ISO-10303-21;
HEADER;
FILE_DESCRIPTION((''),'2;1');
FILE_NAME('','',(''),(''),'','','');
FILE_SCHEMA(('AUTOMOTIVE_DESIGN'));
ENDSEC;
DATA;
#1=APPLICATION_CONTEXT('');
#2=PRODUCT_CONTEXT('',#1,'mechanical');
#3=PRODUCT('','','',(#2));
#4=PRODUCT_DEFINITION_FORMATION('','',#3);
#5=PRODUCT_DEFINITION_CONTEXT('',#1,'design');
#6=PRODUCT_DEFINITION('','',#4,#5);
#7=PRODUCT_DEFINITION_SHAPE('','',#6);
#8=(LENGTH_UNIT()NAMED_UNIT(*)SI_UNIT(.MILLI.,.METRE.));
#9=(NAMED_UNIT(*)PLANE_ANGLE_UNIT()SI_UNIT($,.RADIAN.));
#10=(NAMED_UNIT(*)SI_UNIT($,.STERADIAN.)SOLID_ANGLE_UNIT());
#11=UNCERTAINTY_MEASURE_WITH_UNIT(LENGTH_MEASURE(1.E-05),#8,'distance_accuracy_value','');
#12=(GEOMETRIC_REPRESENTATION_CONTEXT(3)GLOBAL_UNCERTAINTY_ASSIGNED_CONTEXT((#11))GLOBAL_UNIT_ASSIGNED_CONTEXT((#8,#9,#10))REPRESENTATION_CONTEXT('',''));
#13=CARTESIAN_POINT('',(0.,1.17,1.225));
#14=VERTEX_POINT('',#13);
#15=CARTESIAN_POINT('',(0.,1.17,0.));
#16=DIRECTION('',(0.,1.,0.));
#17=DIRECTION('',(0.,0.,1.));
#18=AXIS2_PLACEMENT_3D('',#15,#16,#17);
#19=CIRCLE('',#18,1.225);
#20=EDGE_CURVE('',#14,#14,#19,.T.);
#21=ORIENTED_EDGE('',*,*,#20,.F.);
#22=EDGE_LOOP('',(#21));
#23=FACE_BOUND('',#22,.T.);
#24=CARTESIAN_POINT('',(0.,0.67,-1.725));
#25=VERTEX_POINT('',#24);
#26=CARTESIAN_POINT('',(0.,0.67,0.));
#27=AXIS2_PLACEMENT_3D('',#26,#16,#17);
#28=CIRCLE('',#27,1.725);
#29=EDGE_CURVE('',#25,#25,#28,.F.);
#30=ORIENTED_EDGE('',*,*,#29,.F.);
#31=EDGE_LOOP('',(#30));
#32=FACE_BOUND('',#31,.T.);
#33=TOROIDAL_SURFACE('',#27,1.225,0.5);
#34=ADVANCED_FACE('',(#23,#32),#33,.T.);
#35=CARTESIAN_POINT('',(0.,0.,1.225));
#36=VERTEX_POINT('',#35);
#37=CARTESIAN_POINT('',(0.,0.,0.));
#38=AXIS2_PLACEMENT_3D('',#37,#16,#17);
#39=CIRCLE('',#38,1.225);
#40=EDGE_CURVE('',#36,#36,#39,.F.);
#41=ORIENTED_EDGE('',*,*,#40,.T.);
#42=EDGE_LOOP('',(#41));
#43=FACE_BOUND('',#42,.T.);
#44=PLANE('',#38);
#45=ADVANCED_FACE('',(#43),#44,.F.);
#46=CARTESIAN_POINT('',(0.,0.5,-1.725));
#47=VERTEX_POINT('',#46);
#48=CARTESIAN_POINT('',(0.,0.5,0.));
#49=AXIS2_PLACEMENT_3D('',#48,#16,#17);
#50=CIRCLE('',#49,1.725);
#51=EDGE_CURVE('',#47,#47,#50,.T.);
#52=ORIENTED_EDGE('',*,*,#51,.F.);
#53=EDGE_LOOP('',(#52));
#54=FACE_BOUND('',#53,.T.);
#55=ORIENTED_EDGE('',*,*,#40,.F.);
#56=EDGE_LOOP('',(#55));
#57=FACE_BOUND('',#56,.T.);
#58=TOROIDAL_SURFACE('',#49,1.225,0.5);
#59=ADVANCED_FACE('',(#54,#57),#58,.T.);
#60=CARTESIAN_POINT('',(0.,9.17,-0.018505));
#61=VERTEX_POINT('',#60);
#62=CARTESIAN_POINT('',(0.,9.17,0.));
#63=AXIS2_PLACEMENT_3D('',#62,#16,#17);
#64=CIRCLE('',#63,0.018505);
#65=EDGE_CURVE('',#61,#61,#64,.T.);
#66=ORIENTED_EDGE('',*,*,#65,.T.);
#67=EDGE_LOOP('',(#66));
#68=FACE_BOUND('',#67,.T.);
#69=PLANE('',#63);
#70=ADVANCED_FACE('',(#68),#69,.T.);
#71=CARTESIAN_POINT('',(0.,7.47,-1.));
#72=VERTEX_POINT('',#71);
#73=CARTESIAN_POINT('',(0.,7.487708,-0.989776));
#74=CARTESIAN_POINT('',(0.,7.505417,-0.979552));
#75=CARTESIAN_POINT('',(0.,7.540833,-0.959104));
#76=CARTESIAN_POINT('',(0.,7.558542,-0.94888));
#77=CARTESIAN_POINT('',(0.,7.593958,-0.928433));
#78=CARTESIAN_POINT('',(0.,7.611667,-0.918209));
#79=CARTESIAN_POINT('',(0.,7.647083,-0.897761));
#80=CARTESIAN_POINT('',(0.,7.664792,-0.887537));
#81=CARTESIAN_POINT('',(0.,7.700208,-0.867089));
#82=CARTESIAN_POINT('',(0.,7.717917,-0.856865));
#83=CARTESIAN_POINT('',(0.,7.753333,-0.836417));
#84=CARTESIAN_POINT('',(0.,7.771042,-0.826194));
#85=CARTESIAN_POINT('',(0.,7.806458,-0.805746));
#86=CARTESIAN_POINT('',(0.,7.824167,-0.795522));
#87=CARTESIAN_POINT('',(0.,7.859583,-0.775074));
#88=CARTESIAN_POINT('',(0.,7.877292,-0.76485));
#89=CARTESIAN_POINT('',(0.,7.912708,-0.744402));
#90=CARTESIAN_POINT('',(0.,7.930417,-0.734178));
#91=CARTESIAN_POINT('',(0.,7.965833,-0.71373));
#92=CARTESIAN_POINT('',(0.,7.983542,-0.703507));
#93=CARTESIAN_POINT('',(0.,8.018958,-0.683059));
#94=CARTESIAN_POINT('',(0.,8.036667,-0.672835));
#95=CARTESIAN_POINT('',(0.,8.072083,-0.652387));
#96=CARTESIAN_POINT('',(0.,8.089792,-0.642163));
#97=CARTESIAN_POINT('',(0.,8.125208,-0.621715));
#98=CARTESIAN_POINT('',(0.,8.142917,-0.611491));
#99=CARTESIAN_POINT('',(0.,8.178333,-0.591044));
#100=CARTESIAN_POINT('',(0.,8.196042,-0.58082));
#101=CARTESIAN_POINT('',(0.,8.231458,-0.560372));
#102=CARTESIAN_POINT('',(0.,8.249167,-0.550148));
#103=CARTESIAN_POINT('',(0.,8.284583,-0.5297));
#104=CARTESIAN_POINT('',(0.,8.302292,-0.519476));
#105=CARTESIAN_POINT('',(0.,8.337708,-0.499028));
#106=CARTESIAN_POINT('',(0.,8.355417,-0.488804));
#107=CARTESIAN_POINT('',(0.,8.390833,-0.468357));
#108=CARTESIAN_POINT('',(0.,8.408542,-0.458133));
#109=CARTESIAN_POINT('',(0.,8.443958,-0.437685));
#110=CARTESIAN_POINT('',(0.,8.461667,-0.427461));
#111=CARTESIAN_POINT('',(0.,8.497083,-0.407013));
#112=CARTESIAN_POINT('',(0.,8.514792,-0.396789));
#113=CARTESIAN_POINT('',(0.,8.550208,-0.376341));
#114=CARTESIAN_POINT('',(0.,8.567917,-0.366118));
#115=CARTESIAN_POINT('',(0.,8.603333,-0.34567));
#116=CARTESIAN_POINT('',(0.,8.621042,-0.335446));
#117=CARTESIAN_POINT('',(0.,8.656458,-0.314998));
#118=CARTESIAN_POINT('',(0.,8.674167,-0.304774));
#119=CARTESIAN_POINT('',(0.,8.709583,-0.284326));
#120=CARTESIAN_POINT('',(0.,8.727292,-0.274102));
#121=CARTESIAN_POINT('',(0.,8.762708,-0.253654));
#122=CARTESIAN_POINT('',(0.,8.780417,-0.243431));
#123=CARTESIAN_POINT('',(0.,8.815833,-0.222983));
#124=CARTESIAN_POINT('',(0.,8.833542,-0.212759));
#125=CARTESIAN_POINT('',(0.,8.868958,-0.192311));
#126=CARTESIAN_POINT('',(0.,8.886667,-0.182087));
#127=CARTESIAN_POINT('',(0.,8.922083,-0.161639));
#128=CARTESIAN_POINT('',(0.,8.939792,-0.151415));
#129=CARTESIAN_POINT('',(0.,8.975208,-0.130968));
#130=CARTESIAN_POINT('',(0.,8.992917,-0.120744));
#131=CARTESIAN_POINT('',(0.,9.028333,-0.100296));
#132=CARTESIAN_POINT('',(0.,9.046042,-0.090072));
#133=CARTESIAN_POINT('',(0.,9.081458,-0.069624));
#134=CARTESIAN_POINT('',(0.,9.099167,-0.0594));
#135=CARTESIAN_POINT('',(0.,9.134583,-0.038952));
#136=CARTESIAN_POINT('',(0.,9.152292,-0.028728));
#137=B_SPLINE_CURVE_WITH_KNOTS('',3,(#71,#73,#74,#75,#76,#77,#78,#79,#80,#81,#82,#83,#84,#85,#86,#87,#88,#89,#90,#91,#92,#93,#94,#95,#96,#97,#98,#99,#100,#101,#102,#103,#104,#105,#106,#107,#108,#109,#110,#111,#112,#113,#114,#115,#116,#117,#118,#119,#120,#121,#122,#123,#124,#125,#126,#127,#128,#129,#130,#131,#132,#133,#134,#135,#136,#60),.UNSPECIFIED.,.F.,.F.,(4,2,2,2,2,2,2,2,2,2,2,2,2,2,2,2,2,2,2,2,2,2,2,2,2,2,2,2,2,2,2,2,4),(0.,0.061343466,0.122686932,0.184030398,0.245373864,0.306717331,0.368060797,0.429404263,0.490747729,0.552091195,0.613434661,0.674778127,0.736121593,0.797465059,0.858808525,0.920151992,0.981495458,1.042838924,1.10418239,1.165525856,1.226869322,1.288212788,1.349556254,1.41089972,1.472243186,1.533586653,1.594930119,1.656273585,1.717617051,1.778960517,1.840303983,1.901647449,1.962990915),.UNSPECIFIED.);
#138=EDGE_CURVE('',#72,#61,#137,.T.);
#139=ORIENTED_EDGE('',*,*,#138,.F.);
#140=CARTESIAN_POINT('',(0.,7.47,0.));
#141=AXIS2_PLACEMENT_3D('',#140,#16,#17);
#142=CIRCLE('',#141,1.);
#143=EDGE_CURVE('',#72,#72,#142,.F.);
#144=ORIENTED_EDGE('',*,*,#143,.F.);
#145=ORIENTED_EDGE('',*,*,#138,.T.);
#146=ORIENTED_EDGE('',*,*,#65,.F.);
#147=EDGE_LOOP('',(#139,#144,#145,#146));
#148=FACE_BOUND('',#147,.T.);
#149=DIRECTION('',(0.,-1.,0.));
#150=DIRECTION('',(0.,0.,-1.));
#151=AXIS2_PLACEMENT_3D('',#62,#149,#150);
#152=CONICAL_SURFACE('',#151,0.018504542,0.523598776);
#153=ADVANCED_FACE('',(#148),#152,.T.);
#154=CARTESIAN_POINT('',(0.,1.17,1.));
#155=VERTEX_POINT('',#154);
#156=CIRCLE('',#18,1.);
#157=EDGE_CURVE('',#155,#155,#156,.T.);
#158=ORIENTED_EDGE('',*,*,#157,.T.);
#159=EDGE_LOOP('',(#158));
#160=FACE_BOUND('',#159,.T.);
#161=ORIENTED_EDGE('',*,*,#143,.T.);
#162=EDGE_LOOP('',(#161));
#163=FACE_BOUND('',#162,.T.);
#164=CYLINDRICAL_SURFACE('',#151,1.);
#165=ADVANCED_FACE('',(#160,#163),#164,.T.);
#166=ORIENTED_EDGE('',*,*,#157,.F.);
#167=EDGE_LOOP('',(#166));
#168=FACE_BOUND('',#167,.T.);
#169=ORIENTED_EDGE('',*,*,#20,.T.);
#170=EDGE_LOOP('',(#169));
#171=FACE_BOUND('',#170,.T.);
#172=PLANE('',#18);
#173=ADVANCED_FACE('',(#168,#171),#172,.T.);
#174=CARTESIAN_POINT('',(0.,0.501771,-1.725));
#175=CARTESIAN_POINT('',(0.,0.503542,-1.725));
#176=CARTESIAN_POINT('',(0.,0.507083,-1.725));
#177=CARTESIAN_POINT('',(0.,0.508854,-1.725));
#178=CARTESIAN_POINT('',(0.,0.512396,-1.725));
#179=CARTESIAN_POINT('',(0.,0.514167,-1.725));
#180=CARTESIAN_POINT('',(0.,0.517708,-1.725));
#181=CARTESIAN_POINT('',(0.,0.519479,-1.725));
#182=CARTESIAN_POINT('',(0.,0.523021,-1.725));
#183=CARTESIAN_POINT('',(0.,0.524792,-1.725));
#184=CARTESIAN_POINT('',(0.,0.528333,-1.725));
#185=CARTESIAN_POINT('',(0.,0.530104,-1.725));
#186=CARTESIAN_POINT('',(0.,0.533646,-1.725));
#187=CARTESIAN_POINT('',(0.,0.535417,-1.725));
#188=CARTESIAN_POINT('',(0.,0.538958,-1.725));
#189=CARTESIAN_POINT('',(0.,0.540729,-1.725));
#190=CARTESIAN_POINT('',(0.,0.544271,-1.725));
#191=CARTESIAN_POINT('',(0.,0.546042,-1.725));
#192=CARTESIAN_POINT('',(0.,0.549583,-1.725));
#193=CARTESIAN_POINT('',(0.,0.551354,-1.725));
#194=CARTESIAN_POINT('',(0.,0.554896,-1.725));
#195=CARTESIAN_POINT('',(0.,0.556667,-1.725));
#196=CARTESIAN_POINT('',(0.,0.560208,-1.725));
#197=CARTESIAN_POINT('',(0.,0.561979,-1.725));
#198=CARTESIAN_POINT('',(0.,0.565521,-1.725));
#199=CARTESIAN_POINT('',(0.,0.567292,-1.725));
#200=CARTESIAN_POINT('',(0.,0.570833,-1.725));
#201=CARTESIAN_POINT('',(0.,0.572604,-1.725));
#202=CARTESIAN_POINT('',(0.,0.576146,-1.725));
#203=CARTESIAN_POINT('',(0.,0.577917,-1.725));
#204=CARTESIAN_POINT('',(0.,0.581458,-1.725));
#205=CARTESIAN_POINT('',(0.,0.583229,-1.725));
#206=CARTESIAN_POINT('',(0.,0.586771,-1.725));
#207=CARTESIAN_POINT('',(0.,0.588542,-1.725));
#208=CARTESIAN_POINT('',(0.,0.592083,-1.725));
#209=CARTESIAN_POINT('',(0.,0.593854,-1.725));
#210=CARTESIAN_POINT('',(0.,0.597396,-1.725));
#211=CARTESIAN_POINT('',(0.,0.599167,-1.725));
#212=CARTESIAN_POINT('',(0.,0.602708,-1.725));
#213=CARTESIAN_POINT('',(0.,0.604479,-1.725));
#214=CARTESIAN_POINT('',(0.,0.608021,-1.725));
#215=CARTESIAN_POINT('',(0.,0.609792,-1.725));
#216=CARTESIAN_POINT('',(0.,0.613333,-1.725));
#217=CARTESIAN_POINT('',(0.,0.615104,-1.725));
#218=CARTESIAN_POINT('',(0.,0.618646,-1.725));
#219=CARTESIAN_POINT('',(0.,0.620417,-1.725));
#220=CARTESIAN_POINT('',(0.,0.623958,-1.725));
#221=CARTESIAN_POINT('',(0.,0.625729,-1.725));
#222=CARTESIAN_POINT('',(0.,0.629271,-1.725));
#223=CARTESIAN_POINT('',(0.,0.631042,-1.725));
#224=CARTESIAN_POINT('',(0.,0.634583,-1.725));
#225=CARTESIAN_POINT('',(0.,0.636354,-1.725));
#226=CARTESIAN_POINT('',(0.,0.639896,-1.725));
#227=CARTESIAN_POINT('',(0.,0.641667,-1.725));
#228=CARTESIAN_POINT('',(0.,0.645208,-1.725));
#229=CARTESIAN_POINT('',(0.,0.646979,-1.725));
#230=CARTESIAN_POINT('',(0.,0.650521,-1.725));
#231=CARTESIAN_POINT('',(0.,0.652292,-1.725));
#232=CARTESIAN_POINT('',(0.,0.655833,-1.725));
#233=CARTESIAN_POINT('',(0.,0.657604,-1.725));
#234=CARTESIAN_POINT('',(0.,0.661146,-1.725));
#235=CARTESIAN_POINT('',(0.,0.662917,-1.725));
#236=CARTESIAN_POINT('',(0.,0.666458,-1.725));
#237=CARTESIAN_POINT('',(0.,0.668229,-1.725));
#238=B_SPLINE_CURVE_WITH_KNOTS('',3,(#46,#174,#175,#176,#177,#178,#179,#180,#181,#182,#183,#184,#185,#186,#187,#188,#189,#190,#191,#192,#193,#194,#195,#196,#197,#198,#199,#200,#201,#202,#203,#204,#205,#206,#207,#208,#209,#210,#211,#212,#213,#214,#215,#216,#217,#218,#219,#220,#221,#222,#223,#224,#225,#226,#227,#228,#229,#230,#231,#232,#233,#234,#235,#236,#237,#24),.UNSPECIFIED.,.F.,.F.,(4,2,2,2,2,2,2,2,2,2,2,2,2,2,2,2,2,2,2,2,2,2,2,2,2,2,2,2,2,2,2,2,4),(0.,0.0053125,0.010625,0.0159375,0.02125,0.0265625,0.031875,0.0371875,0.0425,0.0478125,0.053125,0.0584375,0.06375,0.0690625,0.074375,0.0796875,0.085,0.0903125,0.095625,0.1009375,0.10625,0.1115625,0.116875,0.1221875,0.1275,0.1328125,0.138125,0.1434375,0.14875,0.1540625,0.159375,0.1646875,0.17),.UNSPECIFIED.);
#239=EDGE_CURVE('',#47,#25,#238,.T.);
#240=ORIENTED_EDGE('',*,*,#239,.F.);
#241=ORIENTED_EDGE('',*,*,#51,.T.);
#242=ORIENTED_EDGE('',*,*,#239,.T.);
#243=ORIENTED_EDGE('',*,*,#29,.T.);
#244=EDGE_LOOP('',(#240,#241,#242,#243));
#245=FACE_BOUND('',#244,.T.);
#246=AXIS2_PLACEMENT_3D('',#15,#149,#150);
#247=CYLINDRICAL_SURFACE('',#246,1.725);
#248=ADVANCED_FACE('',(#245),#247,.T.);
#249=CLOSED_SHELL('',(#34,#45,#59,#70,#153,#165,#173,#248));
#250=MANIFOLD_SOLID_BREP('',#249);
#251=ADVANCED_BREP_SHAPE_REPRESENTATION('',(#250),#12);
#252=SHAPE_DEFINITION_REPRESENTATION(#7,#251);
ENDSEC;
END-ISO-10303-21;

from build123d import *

# Parameters (mm, degrees)
SKETCH_1_R      = 1.725
EXTRUDE_1_DEPTH = 1.17
FILLET_1_R      = 0.5
SKETCH_2_R      = 1
EXTRUDE_2_DEPTH = 8
CHAMFER_1_SIZE  = 1.7
CHAMFER_1_SIZE2 = 0.981495458


with BuildPart() as part:
    # 草图1 → 凸台-拉伸1 (new body)
    with BuildSketch(Plane(origin=(0, 0, 0), x_dir=(1, 0, 0), z_dir=(0, 1, 0))):
        with Locations(Location((0, 0, 0), (0, 0, 90))):
            Circle(SKETCH_1_R)
    extrude(amount=EXTRUDE_1_DEPTH)

    # 圆角1
    fillet_1_edges = [part.edges().sort_by_distance(p)[0] for p in [
        (0, 0, 1.725),
        (0, 1.17, 1.725),
    ]]
    fillet(fillet_1_edges, radius=FILLET_1_R)

    # 草图2 → 凸台-拉伸2 (add)
    with BuildSketch(Plane(origin=(0, 1.17, 0), x_dir=(1, 0, 0), z_dir=(0, 1, 0))):
        with Locations(Location((0, 0, 0), (0, 0, 270))):
            Circle(SKETCH_2_R)
    extrude(amount=EXTRUDE_2_DEPTH)

    # 倒角1
    chamfer_1_edges = [part.edges().sort_by_distance(p)[0] for p in [
        (0, 9.17, -1),
    ]]
    chamfer_1_side = [part.faces().sort_by_distance(p)[0] for p in [
        (0, 5.17, -1),
    ]]
    chamfer(chamfer_1_edges, length=CHAMFER_1_SIZE, length2=CHAMFER_1_SIZE2, reference=chamfer_1_side[0])


solid = part.part
